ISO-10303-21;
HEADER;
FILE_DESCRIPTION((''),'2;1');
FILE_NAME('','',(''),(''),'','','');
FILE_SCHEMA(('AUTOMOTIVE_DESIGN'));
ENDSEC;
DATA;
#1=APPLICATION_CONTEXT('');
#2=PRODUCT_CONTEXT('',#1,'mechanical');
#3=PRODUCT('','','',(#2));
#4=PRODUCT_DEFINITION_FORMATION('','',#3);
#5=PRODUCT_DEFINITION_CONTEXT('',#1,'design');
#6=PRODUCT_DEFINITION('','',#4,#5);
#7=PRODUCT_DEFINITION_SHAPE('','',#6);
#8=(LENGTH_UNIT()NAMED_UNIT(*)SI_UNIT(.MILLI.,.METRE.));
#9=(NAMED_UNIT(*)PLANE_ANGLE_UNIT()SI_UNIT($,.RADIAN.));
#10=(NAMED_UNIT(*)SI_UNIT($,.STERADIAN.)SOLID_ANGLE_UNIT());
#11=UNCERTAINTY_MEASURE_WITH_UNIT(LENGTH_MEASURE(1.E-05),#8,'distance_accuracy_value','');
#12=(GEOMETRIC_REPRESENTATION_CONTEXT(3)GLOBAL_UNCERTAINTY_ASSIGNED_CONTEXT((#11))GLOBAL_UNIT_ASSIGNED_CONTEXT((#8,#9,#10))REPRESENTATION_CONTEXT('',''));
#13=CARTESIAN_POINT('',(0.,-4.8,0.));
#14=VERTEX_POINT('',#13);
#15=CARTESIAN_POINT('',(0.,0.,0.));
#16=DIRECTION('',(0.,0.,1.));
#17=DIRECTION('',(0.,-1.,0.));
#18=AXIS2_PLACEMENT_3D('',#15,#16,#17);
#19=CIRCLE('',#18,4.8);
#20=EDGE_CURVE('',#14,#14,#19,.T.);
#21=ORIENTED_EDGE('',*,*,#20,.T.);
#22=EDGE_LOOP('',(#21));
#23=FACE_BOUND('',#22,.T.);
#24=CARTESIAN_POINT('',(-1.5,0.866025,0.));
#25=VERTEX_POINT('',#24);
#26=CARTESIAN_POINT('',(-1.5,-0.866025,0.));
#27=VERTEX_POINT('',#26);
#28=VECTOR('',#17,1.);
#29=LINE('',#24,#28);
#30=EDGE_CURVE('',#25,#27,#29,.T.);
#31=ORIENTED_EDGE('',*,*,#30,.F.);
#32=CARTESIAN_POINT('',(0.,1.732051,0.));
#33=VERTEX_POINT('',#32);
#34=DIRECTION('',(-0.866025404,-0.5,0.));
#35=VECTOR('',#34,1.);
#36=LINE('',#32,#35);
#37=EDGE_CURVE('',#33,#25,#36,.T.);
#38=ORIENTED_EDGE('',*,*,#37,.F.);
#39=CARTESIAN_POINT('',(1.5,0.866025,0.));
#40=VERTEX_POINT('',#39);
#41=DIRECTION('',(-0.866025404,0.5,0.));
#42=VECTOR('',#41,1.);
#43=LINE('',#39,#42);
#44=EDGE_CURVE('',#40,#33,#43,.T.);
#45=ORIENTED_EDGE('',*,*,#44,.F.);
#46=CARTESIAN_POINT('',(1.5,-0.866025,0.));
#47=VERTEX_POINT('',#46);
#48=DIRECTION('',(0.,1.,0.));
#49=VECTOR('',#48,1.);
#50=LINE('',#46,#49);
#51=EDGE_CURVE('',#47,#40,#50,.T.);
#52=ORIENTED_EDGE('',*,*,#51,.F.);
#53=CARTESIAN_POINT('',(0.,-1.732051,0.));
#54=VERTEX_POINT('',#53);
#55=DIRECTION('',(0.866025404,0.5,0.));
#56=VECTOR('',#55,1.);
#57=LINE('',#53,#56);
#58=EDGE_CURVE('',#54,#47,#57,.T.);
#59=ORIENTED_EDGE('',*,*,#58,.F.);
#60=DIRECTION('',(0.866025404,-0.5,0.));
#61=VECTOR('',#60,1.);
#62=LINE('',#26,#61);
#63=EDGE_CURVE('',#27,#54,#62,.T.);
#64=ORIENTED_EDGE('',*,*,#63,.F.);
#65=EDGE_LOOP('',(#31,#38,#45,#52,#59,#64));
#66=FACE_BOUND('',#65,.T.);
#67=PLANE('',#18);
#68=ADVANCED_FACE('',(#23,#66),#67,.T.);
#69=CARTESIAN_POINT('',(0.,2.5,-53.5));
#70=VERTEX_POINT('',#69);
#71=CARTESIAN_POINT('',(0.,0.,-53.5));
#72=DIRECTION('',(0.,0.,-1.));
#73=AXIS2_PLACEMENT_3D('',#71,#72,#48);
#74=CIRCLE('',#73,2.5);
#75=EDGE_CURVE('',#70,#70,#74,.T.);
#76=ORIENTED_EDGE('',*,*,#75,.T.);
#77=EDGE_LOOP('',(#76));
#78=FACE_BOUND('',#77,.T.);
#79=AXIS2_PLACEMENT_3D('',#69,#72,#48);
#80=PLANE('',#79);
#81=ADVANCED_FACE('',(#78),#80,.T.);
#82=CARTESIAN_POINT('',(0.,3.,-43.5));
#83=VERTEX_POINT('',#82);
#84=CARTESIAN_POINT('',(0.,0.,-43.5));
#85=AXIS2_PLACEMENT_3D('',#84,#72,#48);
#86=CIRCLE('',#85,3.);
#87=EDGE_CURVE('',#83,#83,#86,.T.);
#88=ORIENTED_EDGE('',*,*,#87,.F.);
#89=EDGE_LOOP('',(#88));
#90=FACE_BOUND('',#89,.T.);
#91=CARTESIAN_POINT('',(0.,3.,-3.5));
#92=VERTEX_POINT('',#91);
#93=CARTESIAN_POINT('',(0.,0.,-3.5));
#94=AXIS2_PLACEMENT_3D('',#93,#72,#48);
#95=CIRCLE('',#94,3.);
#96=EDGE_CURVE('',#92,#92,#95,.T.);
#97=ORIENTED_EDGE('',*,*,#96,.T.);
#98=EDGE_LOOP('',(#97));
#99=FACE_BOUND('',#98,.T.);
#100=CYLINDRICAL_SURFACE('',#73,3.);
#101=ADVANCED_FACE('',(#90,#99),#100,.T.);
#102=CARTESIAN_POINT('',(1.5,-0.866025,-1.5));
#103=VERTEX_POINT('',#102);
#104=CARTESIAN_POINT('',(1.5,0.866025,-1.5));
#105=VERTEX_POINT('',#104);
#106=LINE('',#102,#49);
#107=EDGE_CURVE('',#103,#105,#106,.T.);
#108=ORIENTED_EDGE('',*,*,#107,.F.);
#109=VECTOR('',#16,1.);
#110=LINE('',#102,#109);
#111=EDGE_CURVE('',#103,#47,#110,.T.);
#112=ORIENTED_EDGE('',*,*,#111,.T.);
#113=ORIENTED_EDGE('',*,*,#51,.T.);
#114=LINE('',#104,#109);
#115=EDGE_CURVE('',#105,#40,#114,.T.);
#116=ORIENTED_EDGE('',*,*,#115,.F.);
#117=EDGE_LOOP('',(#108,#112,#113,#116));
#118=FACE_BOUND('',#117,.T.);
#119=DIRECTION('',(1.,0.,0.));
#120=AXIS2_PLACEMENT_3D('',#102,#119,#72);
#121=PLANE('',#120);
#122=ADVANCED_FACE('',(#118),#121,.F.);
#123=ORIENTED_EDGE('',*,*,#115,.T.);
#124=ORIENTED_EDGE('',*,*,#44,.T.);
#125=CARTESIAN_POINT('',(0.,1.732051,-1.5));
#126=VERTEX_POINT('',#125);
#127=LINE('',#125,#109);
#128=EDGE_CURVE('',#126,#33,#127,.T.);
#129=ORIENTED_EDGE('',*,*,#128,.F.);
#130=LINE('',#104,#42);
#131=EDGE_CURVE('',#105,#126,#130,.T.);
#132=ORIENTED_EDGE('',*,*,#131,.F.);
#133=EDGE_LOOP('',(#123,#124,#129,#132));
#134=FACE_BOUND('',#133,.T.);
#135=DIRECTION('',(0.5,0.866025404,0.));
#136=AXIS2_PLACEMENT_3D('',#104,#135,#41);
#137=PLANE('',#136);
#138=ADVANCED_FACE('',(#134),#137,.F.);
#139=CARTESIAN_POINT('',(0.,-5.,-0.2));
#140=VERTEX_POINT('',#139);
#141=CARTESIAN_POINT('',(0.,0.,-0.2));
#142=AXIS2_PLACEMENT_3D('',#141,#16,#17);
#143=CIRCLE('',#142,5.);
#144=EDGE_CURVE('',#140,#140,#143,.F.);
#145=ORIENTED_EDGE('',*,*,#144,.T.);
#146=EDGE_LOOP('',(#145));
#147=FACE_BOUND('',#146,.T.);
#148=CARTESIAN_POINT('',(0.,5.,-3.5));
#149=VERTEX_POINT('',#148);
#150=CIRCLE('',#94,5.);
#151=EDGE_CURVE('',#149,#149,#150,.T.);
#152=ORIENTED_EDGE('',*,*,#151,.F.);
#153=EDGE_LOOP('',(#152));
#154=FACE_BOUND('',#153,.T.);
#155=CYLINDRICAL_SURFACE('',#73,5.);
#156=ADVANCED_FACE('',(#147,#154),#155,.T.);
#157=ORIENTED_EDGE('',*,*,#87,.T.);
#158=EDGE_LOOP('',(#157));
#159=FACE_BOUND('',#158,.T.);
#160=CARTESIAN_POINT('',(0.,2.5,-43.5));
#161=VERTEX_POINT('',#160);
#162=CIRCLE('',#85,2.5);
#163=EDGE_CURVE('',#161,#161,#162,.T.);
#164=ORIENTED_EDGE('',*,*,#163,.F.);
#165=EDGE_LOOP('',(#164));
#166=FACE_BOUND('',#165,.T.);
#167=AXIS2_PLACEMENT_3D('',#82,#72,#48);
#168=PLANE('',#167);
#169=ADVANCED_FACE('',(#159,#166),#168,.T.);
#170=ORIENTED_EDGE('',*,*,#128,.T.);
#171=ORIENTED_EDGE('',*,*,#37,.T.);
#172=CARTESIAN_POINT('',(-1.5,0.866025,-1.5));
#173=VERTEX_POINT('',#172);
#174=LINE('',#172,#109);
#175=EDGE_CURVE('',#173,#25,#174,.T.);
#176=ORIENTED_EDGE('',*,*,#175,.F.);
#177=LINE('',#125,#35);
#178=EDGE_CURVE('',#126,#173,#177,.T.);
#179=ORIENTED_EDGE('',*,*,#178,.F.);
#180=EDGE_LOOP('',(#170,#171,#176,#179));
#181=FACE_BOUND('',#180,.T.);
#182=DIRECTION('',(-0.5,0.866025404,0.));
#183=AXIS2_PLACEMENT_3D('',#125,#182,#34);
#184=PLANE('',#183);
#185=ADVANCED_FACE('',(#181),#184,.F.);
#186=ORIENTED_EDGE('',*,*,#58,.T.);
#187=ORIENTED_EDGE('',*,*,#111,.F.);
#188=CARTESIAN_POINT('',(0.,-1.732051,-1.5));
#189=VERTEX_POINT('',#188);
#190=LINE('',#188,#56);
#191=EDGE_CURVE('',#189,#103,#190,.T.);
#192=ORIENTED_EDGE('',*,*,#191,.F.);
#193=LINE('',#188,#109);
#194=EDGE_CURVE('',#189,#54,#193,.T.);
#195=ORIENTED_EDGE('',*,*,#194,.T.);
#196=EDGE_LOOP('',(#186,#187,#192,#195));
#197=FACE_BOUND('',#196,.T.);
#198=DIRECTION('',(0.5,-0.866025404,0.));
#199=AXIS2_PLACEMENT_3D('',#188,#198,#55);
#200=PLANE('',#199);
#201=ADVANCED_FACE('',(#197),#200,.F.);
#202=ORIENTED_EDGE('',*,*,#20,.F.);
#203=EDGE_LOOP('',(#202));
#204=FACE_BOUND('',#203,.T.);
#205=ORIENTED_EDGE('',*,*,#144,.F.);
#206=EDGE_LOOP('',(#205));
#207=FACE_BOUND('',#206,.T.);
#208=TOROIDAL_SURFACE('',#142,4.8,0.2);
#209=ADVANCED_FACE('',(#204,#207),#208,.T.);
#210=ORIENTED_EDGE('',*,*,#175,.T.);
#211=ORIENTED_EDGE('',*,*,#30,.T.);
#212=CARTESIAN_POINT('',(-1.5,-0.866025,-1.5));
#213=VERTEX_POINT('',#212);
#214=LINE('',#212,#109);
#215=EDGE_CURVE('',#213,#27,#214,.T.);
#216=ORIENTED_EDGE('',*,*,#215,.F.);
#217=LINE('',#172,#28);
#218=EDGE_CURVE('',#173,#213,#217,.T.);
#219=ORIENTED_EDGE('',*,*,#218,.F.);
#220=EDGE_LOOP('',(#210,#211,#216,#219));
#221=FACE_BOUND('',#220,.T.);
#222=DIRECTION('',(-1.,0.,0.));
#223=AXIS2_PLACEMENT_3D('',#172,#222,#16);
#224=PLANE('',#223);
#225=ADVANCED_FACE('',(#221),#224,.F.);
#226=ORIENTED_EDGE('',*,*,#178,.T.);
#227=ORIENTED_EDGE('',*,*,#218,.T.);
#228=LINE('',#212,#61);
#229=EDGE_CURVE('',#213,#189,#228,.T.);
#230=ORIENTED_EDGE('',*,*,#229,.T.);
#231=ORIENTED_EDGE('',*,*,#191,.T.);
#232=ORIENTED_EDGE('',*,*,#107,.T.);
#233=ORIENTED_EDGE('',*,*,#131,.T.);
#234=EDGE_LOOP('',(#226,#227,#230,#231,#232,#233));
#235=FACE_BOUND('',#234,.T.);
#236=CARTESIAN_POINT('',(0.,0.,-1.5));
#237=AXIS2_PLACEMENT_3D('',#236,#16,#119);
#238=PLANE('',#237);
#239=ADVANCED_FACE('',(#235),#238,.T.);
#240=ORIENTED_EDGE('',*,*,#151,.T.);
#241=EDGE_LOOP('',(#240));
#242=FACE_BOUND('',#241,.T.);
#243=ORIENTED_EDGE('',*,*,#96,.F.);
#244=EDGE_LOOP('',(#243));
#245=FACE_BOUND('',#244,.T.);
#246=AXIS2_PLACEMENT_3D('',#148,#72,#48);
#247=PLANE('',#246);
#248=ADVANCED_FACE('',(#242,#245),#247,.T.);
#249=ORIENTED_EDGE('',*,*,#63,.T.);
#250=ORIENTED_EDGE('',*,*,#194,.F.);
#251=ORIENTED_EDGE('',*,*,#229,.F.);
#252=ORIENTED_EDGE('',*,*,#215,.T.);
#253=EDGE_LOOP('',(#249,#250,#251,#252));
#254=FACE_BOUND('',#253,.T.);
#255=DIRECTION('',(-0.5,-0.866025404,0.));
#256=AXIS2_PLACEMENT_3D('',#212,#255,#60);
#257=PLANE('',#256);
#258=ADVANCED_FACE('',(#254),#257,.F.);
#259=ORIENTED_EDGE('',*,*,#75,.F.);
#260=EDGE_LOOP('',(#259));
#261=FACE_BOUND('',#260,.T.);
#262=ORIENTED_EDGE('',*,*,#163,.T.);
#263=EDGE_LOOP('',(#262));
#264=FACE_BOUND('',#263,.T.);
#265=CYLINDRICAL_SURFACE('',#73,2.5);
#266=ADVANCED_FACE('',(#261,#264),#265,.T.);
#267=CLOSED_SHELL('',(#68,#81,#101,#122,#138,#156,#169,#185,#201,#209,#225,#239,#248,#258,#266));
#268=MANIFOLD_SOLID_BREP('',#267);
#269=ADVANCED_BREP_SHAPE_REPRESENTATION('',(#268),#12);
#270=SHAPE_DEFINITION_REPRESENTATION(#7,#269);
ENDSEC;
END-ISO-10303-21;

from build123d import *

# Parameters (mm, degrees)
CUT_EXTRUDE_1_DEPTH = 1.5
FILLET_1_R          = 0.2


with BuildPart() as part:
    # 草图1 → 旋转1 (revolve)
    with BuildSketch(Plane(origin=(0, 0, 0), x_dir=(0, 0, -1), z_dir=(1, 0, 0))):
        Polygon((0, 0), (0, 5), (3.5, 5), (3.5, 3), (43.5, 3), (43.5, 2.5), (53.5, 2.5), (53.5, 0), align=None)
    revolve(axis=Axis((0, 0, -53.5), (0, 0, 1)))

    # 草图2 → 切除-拉伸1 (cut)
    with BuildSketch(Plane.XY):
        Polygon((1.5, 0.866025404), (0, 1.732050808), (-1.5, 0.866025404), (-1.5, -0.866025404), (0, -1.732050808), (1.5, -0.866025404), align=None)
    extrude(amount=-CUT_EXTRUDE_1_DEPTH, mode=Mode.SUBTRACT)

    # 圆角1
    fillet_1_edges = [part.edges().sort_by_distance(p)[0] for p in [
        (0, -5, 0),
    ]]
    fillet(fillet_1_edges, radius=FILLET_1_R)


solid = part.part
